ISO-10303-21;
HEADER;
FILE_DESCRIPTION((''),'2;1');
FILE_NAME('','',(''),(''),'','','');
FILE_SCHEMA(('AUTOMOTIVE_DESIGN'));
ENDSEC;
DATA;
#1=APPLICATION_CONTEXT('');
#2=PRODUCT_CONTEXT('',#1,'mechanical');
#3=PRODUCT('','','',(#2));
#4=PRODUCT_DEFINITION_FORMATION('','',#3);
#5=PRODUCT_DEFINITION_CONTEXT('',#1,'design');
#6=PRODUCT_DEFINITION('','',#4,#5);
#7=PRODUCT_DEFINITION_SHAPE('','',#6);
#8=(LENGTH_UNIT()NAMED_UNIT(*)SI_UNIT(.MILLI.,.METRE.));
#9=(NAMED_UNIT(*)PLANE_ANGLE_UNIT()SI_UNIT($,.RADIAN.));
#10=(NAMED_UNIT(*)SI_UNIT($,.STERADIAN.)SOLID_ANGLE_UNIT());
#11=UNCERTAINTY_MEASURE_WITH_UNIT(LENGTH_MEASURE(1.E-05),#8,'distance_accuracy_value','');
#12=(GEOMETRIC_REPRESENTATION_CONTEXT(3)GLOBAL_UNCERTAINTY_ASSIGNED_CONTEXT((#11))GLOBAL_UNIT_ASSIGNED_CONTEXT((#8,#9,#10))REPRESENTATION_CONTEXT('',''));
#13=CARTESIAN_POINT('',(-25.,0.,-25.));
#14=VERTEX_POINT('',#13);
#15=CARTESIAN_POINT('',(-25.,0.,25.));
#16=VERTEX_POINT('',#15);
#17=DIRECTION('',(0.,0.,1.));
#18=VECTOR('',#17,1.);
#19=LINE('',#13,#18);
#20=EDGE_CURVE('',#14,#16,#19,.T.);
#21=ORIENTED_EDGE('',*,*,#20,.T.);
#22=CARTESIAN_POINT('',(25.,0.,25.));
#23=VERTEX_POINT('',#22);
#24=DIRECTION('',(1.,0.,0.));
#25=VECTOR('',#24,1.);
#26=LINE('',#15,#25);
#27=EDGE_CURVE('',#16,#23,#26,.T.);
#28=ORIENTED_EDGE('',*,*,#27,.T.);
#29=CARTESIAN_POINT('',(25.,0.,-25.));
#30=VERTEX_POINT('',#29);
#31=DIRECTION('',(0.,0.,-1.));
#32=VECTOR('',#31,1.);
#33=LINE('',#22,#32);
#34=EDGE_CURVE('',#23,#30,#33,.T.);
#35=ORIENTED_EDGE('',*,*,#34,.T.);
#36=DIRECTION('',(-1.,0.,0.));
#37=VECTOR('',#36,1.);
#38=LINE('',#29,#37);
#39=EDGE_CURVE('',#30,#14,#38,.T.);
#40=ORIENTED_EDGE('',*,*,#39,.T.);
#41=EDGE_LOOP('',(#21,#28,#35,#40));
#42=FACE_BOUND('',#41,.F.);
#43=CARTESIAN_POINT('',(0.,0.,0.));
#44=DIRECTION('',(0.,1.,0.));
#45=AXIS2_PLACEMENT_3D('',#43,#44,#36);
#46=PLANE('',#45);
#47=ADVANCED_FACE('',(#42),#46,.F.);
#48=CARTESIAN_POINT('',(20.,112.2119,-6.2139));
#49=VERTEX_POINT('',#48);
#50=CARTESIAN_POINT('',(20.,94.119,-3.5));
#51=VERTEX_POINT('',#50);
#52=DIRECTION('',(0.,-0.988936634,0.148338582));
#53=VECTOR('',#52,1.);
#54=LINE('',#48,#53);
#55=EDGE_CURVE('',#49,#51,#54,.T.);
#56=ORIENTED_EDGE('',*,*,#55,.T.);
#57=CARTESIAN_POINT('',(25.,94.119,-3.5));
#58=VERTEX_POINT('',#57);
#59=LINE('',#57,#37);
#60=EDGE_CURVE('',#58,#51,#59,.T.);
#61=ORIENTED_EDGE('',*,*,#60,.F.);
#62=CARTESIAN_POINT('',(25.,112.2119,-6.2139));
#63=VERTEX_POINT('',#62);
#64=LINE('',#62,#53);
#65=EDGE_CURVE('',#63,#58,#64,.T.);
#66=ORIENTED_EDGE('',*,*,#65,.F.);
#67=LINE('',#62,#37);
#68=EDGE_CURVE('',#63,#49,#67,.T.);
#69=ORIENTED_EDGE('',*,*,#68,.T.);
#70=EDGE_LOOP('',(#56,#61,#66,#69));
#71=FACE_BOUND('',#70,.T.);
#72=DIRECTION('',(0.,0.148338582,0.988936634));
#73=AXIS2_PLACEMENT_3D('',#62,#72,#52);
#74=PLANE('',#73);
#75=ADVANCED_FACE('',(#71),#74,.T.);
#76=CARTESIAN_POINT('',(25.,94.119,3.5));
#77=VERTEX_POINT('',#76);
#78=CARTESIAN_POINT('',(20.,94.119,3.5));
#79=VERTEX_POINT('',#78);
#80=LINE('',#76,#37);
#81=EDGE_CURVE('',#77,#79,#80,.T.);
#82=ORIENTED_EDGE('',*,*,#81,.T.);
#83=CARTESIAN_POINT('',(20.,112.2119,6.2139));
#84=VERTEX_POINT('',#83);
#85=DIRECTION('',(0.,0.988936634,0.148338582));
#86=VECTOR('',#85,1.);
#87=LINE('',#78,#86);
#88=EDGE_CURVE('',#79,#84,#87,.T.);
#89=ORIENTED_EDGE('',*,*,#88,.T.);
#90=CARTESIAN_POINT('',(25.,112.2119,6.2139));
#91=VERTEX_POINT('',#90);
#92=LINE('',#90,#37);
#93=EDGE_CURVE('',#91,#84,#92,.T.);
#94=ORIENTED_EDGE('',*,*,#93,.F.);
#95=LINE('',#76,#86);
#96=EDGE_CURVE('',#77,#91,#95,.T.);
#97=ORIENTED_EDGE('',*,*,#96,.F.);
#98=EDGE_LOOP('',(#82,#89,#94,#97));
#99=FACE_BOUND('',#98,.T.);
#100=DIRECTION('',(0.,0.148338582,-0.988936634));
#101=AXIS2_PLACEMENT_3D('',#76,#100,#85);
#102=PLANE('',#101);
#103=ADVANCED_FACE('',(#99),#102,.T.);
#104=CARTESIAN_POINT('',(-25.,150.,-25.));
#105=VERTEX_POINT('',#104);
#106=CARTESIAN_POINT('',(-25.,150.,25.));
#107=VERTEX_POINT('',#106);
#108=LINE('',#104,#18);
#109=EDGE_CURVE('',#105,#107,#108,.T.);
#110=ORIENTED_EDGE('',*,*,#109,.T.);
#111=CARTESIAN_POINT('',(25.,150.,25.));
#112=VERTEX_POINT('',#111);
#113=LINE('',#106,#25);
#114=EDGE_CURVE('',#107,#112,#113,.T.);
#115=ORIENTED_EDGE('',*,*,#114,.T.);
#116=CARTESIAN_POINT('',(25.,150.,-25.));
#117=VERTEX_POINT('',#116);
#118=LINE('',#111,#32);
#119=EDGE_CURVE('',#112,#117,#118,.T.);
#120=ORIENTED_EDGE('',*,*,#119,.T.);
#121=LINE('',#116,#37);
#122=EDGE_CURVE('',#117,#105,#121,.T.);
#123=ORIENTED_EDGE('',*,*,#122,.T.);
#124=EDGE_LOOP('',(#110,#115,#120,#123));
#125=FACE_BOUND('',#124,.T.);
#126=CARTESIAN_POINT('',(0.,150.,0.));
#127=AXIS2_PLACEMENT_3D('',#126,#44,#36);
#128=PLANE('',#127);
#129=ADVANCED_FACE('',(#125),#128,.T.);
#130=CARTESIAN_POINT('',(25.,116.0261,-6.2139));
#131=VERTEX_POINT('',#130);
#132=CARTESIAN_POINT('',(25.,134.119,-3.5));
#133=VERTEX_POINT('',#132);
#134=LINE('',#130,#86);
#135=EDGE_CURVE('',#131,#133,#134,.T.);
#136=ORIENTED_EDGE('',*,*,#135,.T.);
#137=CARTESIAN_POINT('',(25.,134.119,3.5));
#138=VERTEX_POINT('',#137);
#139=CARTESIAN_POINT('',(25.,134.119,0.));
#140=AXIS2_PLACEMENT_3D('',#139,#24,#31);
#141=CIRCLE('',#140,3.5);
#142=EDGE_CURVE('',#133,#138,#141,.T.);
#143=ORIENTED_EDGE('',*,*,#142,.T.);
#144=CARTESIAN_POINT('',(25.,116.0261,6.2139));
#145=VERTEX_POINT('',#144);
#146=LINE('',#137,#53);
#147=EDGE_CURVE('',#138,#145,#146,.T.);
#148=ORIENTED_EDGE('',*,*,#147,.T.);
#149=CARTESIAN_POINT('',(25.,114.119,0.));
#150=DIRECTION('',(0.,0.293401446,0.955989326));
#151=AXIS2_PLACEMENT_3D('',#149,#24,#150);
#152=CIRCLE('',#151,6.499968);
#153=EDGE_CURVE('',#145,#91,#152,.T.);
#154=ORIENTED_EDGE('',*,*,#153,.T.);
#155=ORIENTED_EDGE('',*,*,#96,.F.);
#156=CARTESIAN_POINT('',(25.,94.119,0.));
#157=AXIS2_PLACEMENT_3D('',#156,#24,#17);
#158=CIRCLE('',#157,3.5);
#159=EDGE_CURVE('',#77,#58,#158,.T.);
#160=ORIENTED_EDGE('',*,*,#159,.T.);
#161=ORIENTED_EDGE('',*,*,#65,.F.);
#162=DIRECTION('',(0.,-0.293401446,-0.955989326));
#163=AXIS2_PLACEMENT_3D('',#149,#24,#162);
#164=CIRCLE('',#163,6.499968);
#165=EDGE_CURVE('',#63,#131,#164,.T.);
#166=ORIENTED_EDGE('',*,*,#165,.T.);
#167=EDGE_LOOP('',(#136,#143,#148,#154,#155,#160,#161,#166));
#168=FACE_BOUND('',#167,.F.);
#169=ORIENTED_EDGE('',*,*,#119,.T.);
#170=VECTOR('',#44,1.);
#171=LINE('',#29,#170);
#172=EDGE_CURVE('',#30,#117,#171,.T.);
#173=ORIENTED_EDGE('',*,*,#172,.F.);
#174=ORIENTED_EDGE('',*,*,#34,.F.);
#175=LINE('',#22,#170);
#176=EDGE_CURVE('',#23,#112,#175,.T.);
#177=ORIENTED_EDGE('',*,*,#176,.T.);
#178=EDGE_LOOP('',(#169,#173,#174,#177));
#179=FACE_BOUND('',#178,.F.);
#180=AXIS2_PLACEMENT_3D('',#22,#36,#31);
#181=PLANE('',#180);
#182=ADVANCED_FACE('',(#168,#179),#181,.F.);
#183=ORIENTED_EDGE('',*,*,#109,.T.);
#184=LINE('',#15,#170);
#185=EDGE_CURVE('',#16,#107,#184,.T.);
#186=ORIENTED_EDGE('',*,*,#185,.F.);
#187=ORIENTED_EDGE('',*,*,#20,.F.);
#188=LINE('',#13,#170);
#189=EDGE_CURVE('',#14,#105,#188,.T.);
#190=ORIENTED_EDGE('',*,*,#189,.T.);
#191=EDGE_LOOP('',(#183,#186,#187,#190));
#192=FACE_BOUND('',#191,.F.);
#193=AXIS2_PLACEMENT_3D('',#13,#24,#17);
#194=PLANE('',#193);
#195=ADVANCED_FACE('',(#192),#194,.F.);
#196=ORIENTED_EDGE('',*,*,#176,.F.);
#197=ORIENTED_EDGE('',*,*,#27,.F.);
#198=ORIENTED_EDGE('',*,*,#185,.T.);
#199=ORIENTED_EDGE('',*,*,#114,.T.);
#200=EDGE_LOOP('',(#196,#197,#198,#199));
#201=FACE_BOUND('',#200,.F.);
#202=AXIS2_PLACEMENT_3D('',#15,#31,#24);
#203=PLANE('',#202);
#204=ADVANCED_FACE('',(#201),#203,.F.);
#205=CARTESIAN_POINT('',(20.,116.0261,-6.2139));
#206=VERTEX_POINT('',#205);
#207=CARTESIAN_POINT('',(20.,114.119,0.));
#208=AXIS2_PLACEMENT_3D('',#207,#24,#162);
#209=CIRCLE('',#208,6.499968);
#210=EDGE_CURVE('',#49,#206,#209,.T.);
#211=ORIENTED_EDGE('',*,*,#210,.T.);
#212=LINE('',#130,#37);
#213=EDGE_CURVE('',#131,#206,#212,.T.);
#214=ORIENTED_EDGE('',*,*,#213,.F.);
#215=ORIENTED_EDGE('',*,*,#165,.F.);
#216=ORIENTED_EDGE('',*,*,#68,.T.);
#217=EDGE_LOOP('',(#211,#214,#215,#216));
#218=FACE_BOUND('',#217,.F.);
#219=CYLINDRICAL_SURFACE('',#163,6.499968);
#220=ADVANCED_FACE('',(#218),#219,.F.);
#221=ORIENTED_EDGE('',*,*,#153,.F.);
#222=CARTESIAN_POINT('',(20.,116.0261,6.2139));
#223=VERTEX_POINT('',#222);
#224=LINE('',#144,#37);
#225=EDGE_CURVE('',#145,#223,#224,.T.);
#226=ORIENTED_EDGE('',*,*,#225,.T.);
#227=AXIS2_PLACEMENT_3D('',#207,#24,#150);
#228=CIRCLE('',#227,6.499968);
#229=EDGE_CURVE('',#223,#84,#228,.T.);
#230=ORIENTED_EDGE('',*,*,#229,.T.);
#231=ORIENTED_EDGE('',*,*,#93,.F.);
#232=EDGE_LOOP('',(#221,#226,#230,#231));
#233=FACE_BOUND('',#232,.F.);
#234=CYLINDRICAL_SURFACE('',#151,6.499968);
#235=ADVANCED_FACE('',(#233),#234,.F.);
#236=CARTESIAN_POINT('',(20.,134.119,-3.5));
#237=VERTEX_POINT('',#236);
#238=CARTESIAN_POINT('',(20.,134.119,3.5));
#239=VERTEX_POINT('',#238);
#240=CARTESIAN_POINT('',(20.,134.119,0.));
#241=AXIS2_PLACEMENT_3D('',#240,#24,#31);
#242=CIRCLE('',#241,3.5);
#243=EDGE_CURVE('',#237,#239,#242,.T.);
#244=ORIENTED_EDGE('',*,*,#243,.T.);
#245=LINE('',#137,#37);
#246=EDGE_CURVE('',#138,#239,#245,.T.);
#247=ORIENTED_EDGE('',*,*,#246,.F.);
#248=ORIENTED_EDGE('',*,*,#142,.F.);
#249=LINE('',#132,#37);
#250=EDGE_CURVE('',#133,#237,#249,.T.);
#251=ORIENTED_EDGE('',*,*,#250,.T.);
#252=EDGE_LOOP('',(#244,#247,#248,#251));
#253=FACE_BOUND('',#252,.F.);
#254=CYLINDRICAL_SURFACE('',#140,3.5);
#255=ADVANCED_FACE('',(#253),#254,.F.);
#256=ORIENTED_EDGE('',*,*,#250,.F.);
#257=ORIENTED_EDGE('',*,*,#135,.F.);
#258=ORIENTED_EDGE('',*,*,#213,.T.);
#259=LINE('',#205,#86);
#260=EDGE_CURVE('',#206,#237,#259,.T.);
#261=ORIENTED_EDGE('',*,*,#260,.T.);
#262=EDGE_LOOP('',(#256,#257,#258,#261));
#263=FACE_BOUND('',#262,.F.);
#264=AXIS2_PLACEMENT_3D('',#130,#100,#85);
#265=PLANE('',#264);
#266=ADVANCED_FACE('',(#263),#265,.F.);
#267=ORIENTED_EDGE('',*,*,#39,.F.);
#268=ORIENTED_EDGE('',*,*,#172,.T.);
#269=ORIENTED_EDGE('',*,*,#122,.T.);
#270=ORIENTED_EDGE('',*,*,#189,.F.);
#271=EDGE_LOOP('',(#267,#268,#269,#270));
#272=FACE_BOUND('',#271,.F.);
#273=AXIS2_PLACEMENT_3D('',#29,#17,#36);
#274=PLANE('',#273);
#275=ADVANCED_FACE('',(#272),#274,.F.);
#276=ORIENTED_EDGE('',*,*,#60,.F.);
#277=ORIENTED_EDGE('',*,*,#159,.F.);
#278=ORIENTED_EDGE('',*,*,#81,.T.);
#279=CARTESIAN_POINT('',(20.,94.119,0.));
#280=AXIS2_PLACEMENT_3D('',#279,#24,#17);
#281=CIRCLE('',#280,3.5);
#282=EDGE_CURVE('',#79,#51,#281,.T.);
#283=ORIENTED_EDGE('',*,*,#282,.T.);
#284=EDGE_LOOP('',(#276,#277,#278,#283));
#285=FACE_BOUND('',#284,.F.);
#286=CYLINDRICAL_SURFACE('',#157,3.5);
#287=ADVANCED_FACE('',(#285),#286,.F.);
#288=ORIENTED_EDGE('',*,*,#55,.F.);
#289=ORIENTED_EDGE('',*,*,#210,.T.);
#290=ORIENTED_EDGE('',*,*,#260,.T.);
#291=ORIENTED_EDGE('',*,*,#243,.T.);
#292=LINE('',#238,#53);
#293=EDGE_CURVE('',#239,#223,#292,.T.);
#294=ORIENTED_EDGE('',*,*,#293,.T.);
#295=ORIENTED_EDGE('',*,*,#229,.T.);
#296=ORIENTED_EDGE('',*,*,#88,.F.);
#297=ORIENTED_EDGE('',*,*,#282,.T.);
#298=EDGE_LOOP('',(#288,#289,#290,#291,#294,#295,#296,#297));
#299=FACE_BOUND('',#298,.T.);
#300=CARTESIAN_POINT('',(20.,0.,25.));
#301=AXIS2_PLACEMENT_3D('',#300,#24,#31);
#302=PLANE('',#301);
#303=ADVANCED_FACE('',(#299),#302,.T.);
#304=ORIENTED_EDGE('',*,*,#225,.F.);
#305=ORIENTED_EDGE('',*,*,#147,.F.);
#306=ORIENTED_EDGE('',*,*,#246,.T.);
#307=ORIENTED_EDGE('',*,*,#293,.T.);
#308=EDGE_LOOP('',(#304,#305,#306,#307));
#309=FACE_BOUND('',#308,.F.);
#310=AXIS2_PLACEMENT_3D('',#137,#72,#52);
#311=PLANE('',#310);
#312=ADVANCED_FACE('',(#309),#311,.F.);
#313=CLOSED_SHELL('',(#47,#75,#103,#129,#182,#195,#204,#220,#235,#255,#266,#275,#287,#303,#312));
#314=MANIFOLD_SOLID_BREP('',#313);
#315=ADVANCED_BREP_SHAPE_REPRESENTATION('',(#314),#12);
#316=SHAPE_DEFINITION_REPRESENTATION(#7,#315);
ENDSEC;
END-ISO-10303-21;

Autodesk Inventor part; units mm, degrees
ref_plane "YZ Plane" through (0, 0, 0) normal (1, 0, 0) x (0, 1, 0)
ref_plane "XZ Plane" through (0, 0, 0) normal (0, 1, 0) x (-1, 0, 0)
ref_plane "XY Plane" through (0, 0, 0) normal (0, 0, 1) x (1, 0, 0)
sketch "Sketch1" plane through (0, 0, 0) normal (0, 1, 0) x (-1, 0, 0)
  line L0 (25, 25) -> (-25, 25)
  line L1 (-25, 25) -> (-25, -25)
  line L2 (-25, -25) -> (25, -25)
  line L3 (25, -25) -> (25, 25)
  line L4 (25, 25) -> (-25, -25) construction
  line L5 (-25, 25) -> (25, -25) construction
  point P0 (0, 0)
  dimension "d0" = 50
  dimension "d1" = 50
extrude "Extrusion1" add sketch "Sketch1" along normal blind 150
sketch "Sketch2" plane through (25, 0, 25) normal (1, 0, 0) x (0, 0, -1)
  arc A0 (28.5, 134.119) -> (21.5, 134.119) centre (25, 134.119) ccw
  line L0 (31.2139, 116.0261) -> (28.5, 134.119)
  line L1 (21.5, 134.119) -> (18.7861, 116.0261)
  line L2 (25, 114.119) -> (27.6706, 114.119)
  arc A1 (21.5, 94.119) -> (28.5, 94.119) centre (25, 94.119) ccw
  line L3 (31.2139, 112.2119) -> (28.5, 94.119)
  line L4 (21.5, 94.119) -> (18.7861, 112.2119)
  arc A2 (18.7861, 116.0261) -> (18.7861, 112.2119) centre (25, 114.119) ccw
  arc A3 (31.2139, 112.2119) -> (31.2139, 116.0261) centre (25, 114.119) ccw
  point P0 (25, 0)
  point P1 (31.5, 114.119)
  point P2 (18.5, 114.119)
  dimension "d5" = 7
  dimension "d6" = 20
extrude "Extrusion2" cut sketch "Sketch2" against normal blind 5
properties part number "tangan kanan"
